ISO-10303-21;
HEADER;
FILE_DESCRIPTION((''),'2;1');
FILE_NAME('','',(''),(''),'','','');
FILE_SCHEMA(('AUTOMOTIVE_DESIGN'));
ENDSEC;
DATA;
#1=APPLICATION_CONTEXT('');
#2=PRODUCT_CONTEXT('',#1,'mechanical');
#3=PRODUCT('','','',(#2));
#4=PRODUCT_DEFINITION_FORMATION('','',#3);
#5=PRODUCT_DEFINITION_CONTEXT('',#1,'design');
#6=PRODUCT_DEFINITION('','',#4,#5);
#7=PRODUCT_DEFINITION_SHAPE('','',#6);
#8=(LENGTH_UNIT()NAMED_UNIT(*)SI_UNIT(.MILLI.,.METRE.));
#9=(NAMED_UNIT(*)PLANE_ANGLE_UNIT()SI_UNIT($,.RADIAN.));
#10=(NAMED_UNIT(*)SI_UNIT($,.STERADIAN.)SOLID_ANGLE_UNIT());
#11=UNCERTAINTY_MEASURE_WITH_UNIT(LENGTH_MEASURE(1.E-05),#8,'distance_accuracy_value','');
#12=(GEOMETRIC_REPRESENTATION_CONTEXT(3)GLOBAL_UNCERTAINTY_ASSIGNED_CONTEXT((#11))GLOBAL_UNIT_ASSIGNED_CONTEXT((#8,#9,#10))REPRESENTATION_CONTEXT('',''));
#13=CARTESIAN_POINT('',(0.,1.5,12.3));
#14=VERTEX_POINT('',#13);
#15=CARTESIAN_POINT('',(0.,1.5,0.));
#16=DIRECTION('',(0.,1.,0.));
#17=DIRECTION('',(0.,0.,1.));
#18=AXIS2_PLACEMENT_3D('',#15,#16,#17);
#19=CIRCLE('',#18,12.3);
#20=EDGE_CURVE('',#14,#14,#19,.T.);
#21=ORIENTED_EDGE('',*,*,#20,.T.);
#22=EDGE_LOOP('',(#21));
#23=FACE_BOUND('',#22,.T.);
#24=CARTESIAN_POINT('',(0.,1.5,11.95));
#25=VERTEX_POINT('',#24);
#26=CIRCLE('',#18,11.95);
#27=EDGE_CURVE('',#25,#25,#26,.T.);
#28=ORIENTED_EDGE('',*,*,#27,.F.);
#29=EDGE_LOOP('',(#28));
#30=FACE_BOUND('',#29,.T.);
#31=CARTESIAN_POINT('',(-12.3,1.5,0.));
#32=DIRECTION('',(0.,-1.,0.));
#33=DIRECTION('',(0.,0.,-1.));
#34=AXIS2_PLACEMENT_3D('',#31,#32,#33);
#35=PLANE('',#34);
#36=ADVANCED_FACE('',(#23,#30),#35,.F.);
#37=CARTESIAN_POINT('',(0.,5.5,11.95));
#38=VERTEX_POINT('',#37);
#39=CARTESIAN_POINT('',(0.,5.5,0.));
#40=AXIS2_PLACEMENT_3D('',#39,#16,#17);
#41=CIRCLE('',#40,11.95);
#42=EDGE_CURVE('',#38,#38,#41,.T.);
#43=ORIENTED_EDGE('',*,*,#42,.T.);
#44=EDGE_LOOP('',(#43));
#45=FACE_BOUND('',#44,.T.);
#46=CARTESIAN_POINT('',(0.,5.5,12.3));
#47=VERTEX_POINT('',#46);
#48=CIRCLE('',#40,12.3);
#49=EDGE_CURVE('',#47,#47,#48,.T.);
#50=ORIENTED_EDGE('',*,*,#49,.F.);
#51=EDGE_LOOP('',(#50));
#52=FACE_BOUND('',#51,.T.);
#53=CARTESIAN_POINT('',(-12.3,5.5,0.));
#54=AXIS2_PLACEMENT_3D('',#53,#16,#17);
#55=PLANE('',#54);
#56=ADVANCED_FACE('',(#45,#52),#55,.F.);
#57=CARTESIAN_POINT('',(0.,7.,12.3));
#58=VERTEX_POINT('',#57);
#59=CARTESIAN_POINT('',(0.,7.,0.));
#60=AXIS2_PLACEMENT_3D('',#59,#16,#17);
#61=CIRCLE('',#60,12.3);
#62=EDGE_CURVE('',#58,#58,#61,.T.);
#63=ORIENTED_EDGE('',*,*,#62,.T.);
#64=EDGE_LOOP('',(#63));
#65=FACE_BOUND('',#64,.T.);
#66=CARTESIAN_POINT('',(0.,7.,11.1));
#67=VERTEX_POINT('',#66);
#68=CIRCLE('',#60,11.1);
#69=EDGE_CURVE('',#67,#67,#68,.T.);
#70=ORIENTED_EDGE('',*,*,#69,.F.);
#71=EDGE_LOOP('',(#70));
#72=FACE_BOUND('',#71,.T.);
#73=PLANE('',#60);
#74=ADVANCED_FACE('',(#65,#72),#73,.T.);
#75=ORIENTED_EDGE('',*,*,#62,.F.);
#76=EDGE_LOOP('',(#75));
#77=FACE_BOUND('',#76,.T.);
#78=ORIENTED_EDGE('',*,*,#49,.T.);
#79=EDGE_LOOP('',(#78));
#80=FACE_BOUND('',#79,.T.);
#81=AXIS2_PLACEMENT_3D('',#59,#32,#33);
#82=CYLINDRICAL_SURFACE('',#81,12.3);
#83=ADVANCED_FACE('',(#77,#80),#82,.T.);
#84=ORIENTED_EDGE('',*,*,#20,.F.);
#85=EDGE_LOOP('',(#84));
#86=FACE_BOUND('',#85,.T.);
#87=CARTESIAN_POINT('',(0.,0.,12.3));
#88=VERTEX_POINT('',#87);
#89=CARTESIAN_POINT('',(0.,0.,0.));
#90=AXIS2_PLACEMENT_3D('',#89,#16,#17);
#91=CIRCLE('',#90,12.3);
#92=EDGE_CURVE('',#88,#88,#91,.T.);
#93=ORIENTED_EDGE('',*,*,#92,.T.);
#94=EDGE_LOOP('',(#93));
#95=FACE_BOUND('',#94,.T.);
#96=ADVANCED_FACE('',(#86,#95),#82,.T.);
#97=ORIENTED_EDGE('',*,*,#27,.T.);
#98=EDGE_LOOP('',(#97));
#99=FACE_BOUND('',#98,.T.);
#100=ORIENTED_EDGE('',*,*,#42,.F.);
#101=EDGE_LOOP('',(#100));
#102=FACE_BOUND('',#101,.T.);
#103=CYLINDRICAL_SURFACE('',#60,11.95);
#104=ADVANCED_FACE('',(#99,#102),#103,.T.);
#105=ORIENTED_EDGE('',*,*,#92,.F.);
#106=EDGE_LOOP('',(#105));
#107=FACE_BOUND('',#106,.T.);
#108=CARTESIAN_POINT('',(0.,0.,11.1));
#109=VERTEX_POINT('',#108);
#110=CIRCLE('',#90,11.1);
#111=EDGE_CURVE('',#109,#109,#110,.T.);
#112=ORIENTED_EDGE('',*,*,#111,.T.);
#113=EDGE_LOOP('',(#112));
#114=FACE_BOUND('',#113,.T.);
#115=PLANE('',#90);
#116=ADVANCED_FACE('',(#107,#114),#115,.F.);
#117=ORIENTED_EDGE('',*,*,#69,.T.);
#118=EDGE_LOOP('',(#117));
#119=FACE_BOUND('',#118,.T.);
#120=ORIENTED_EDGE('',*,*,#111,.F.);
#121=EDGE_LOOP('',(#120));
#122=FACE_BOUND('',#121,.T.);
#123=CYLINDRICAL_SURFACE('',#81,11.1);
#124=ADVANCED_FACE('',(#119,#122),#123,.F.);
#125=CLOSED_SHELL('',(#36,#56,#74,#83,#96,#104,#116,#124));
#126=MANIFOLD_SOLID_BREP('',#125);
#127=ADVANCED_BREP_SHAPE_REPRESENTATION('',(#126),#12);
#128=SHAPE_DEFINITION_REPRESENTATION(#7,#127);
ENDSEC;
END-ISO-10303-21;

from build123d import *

# Parameters (mm, degrees)
SKETCH1_R           = 12.3
SKETCH1_R_2         = 11.1
BOSS_EXTRUDE1_DEPTH = 7
SKETCH2_W           = 0.35
SKETCH2_H           = 4


with BuildPart() as part:
    # Sketch1 → Boss-Extrude1 (new body)
    with BuildSketch(Plane(origin=(0, 0, 0), x_dir=(1, 0, 0), z_dir=(0, 1, 0))):
        Circle(SKETCH1_R)
        Circle(SKETCH1_R_2, mode=Mode.SUBTRACT)
    extrude(amount=BOSS_EXTRUDE1_DEPTH)

    # Sketch2 → Cut-Revolve1 (revolve, cut)
    with BuildSketch(Plane.XY):
        with Locations((-12.125, 3.5)):
            Rectangle(SKETCH2_W, SKETCH2_H)
    revolve(axis=Axis((0, 7, 0), (0, -1, 0)), mode=Mode.SUBTRACT)


solid = part.part
